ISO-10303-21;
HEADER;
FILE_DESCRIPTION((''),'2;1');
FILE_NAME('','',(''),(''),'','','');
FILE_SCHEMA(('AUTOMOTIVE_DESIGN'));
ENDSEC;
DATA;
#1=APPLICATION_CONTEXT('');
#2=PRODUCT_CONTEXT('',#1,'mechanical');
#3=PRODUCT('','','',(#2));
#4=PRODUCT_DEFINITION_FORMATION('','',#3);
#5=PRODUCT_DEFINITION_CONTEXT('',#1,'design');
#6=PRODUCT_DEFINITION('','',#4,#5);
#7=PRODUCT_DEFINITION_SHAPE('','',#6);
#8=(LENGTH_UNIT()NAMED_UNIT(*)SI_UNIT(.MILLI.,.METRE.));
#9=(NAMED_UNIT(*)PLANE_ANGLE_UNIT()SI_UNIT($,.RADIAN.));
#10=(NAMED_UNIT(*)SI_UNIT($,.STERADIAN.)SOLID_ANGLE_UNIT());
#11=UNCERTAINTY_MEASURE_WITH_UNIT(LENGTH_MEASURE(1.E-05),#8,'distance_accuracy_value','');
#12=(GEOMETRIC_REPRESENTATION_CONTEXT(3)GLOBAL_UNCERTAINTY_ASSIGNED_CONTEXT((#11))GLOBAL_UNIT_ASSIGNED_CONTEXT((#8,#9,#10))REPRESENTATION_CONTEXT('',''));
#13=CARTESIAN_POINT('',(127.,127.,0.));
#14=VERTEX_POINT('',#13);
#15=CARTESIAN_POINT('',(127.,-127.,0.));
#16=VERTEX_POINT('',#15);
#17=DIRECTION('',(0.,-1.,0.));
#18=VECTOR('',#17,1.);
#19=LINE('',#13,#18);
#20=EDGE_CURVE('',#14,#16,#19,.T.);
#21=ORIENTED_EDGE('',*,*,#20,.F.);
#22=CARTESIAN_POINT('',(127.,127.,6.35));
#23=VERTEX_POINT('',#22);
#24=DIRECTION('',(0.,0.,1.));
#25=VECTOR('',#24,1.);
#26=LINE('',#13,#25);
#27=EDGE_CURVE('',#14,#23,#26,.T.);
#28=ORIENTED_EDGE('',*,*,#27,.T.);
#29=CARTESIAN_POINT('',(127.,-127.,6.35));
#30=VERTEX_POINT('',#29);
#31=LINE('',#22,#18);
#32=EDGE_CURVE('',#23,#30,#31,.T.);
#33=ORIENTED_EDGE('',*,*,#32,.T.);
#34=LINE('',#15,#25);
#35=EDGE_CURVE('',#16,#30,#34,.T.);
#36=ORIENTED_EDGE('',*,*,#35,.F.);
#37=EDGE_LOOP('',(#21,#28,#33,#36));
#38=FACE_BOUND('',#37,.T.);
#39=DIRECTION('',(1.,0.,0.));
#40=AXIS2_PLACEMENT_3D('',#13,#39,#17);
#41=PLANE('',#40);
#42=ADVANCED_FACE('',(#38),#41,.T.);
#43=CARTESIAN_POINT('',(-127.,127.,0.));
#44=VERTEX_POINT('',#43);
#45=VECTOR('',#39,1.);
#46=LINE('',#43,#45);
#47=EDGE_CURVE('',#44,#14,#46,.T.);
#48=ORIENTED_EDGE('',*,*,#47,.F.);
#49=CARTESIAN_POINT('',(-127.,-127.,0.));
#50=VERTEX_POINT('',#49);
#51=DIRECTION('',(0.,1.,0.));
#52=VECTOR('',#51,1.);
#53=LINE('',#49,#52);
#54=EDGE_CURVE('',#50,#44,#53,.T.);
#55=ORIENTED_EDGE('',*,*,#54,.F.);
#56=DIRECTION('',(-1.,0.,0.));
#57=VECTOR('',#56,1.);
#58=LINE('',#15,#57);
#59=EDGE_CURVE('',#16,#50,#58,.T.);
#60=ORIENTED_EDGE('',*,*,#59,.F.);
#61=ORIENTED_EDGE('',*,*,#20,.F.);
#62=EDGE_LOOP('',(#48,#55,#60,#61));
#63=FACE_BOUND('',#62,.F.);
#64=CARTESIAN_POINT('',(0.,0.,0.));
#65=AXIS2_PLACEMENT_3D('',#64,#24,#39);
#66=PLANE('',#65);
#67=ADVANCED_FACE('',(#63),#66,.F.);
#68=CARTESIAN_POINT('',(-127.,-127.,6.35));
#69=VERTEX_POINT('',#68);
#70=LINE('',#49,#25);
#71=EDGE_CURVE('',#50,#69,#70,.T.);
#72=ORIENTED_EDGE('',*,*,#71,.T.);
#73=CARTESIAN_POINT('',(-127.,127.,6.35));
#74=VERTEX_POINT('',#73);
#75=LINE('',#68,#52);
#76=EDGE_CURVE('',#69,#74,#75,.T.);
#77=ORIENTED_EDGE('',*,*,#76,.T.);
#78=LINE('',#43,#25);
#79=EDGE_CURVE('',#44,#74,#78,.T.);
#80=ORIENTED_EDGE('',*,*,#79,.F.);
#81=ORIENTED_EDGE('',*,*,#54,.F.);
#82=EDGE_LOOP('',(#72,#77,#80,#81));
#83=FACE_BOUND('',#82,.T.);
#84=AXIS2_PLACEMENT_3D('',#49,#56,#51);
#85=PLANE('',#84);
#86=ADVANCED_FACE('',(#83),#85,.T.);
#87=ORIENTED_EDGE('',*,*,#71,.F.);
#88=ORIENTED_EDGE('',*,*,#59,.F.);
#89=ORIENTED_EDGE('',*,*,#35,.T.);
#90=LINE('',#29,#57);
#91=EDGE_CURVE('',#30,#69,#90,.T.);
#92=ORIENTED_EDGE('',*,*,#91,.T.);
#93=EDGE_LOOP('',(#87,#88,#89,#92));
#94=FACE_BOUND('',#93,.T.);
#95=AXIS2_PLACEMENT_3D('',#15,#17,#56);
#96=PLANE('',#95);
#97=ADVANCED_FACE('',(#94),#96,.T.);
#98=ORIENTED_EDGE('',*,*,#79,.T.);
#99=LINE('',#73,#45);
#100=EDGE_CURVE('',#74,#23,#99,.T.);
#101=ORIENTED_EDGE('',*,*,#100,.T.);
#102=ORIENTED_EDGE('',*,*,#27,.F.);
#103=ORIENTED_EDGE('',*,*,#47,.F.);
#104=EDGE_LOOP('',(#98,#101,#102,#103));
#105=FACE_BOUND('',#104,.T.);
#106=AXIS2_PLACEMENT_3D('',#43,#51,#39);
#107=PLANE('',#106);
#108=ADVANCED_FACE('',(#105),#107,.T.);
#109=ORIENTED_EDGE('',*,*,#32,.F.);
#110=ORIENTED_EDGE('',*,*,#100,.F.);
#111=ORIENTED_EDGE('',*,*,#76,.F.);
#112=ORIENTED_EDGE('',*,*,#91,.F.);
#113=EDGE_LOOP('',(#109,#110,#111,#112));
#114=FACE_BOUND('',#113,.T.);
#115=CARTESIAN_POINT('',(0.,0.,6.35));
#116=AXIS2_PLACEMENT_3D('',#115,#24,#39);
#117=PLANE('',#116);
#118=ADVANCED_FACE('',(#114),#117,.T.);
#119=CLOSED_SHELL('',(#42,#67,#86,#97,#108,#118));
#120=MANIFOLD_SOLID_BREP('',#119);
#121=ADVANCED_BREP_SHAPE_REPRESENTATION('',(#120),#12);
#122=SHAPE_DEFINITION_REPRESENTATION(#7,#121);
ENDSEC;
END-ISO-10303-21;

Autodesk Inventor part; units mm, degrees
ref_plane "YZ Plane" through (0, 0, 0) normal (1, 0, 0) x (0, 1, 0)
ref_plane "XZ Plane" through (0, 0, 0) normal (0, 1, 0) x (-1, 0, 0)
ref_plane "XY Plane" through (0, 0, 0) normal (0, 0, 1) x (1, 0, 0)
sketch "Sketch1" plane through (0, 0, 0) normal (0, 0, 1) x (1, 0, 0)
  line L0 (-127, 127) -> (127, 127)
  line L1 (127, 127) -> (127, -127)
  line L2 (127, -127) -> (-127, -127)
  line L3 (-127, -127) -> (-127, 127)
  point P0 (0, 0)
  point P1 (0, 0)
  dimension "d0" = 254
extrude "Extrusion1" add sketch "Sketch1" along normal blind 6.35
properties part number "GLASS"
